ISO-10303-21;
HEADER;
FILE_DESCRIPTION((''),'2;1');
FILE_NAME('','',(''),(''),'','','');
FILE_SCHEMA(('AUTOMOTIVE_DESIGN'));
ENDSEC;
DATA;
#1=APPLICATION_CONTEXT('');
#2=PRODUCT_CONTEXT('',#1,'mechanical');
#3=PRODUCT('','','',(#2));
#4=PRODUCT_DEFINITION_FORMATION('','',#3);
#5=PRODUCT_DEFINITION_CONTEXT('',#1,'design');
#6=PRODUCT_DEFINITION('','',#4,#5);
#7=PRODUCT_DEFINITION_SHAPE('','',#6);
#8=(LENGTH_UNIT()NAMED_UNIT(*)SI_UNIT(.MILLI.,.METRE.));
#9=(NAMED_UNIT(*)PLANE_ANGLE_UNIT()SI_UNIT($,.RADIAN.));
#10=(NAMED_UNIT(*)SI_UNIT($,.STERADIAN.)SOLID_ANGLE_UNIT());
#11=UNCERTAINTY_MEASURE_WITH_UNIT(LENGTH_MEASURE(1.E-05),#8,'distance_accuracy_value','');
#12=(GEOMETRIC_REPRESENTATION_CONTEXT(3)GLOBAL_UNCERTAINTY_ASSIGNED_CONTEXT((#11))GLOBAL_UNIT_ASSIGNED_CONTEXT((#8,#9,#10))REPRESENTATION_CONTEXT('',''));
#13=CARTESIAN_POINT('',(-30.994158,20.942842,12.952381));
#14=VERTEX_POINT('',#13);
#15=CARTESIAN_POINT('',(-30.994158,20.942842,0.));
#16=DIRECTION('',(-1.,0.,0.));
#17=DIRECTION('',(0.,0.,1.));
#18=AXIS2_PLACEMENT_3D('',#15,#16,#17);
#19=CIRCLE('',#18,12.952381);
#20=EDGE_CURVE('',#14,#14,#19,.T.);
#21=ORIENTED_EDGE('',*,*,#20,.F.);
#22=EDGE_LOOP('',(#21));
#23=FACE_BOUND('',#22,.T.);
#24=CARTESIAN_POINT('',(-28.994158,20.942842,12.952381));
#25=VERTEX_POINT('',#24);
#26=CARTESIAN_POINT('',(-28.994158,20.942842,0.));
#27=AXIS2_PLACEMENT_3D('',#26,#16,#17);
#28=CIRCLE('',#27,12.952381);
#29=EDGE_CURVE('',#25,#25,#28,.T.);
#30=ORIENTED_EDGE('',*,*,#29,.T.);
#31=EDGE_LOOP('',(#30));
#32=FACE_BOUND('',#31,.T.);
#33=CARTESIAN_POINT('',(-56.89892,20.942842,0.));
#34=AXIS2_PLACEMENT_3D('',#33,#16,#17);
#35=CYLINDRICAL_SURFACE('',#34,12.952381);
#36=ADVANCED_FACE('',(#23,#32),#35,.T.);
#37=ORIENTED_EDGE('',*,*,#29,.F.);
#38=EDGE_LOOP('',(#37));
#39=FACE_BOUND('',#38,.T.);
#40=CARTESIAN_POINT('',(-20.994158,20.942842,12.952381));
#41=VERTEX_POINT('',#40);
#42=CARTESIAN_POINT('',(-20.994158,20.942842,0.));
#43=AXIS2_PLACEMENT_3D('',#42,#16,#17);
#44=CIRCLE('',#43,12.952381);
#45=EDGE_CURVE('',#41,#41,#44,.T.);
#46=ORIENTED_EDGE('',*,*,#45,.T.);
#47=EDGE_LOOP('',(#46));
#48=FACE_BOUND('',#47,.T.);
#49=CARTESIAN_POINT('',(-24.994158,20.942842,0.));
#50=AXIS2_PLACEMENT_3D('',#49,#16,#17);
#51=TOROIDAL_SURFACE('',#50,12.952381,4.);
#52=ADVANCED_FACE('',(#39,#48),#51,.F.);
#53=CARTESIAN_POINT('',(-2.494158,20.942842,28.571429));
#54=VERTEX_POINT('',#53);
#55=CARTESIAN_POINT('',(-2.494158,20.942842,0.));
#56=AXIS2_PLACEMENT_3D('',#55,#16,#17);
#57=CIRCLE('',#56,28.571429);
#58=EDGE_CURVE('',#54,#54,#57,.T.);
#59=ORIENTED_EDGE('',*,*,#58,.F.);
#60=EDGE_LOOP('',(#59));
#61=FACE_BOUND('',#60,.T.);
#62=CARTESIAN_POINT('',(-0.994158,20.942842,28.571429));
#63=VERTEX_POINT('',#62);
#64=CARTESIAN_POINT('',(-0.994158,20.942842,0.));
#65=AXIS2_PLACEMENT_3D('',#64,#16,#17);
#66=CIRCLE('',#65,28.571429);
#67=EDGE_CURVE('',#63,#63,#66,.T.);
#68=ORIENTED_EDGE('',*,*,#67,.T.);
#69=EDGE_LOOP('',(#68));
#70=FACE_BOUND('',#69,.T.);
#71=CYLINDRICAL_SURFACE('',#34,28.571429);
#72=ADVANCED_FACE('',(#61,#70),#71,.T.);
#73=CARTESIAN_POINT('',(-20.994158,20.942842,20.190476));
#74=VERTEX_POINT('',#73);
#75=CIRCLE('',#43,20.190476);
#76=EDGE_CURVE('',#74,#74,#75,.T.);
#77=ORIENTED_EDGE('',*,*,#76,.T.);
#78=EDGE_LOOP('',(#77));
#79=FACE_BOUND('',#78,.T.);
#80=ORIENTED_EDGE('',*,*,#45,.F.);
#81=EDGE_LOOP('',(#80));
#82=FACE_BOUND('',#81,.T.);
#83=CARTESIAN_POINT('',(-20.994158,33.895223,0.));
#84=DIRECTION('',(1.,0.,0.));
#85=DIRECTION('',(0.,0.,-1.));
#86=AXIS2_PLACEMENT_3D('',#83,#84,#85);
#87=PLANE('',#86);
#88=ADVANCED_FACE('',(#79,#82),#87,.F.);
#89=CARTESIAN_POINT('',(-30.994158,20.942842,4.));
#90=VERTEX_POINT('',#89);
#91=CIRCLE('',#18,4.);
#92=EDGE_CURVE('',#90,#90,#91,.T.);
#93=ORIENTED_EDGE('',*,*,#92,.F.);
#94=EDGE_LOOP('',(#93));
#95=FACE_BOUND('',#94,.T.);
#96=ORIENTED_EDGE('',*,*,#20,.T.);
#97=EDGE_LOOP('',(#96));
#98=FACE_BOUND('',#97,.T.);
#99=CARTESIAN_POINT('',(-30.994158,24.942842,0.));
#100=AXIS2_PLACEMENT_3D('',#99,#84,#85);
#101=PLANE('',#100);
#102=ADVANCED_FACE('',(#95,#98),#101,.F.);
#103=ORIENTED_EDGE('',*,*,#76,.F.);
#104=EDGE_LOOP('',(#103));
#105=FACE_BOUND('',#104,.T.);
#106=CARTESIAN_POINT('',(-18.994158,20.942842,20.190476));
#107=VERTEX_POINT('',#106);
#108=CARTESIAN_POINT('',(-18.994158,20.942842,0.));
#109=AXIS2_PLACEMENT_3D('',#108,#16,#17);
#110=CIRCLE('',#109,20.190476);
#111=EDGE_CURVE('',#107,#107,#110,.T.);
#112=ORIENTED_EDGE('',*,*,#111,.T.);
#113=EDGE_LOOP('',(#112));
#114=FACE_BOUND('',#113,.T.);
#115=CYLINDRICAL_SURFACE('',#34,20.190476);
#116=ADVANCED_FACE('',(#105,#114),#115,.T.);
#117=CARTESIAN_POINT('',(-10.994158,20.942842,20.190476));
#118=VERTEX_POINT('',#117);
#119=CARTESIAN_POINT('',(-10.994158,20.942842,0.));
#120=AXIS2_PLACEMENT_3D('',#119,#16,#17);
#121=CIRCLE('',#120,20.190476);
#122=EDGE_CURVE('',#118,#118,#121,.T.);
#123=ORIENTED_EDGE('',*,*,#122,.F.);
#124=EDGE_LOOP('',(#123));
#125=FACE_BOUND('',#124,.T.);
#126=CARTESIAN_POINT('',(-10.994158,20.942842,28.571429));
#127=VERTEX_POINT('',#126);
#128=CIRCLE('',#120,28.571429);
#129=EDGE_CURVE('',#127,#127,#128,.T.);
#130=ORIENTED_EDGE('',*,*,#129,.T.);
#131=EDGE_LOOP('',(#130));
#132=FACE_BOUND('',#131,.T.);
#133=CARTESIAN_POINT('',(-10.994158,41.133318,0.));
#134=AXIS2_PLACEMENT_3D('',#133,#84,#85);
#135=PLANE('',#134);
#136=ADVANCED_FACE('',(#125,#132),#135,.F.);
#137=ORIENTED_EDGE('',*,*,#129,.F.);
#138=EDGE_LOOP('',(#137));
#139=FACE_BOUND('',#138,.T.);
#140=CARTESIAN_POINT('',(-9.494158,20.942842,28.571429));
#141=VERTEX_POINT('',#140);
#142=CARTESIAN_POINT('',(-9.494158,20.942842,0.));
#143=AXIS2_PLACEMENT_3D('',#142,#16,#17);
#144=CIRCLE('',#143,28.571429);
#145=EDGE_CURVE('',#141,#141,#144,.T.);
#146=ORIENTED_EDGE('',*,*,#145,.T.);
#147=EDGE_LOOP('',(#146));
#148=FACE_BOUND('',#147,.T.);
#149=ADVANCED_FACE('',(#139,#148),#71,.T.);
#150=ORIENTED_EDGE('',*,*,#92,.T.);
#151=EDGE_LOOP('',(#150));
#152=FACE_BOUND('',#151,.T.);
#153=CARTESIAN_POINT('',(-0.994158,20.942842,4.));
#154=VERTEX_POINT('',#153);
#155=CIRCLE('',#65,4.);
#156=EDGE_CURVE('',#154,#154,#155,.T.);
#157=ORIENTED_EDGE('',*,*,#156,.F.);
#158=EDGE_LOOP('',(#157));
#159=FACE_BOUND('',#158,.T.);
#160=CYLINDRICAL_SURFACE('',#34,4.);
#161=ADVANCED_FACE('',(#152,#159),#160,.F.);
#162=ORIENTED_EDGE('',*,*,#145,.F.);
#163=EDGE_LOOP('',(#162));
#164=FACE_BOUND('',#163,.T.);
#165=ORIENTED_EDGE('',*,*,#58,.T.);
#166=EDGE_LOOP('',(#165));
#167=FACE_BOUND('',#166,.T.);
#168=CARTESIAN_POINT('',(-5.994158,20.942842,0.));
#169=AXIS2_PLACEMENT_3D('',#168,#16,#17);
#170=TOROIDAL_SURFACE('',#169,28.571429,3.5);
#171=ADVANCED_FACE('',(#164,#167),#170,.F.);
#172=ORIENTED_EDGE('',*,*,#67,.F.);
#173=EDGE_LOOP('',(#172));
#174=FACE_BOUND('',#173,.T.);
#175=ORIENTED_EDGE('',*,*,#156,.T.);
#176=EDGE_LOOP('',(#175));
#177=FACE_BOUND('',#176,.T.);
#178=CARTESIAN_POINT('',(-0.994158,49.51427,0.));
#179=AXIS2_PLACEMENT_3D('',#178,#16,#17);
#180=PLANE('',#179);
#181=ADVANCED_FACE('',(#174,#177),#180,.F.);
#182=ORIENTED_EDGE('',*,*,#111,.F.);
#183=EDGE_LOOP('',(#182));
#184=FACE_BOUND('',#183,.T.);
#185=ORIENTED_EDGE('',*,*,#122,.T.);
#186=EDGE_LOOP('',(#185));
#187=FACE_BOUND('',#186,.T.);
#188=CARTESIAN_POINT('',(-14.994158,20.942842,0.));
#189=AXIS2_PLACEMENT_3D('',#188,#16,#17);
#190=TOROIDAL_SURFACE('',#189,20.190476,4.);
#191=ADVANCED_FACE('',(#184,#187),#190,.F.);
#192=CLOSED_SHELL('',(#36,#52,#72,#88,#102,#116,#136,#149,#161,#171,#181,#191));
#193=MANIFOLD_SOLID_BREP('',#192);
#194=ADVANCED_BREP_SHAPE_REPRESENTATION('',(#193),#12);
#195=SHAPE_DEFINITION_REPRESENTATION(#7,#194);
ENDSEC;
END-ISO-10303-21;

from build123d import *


with BuildPart() as part:
    # 草图1 → 旋转1 (revolve)
    with BuildSketch(Plane.XY, mode=Mode.PRIVATE) as revolve_1_sk:
        Polygon((-30.994158341, 24.942841616), (-30.994158341, 33.895222569), (-20.994158341, 33.895222569), (-20.994158341, 41.133317807), (-10.994158341, 41.133317807), (-10.994158341, 49.514270188), (-0.994158341, 49.514270188), (-0.994158341, 24.942841616), align=None)
    revolve(revolve_1_sk.sketch.rotate(Axis((-56.898920246, 20.942841616, 0), (1, 0, 0)), 90), axis=Axis((-56.898920246, 20.942841616, 0), (1, 0, 0)))

    # 草图2 → 切除-旋转1 (revolve, cut)
    with BuildSketch(Plane.XY, mode=Mode.PRIVATE) as cut_revolve_1_sk:
        with BuildLine():
            Line((-28.994158341, 33.895222569), (-20.994158341, 33.895222569))
            ThreePointArc((-20.994158341, 33.895222569), (-24.994158341, 29.895222569), (-28.994158341, 33.895222569))
        make_face()
        with BuildLine():
            Line((-18.994158341, 41.133317807), (-10.994158341, 41.133317807))
            ThreePointArc((-10.994158341, 41.133317807), (-14.994158341, 37.133317807), (-18.994158341, 41.133317807))
        make_face()
        with BuildLine():
            Line((-9.494158341, 49.514270188), (-2.494158341, 49.514270188))
            ThreePointArc((-2.494158341, 49.514270188), (-5.994158341, 46.014270188), (-9.494158341, 49.514270188))
        make_face()
    revolve(cut_revolve_1_sk.sketch.rotate(Axis((-38.589359974, 20.942841616, 0), (1, 0, 0)), 90), axis=Axis((-38.589359974, 20.942841616, 0), (1, 0, 0)), mode=Mode.SUBTRACT)


solid = part.part
